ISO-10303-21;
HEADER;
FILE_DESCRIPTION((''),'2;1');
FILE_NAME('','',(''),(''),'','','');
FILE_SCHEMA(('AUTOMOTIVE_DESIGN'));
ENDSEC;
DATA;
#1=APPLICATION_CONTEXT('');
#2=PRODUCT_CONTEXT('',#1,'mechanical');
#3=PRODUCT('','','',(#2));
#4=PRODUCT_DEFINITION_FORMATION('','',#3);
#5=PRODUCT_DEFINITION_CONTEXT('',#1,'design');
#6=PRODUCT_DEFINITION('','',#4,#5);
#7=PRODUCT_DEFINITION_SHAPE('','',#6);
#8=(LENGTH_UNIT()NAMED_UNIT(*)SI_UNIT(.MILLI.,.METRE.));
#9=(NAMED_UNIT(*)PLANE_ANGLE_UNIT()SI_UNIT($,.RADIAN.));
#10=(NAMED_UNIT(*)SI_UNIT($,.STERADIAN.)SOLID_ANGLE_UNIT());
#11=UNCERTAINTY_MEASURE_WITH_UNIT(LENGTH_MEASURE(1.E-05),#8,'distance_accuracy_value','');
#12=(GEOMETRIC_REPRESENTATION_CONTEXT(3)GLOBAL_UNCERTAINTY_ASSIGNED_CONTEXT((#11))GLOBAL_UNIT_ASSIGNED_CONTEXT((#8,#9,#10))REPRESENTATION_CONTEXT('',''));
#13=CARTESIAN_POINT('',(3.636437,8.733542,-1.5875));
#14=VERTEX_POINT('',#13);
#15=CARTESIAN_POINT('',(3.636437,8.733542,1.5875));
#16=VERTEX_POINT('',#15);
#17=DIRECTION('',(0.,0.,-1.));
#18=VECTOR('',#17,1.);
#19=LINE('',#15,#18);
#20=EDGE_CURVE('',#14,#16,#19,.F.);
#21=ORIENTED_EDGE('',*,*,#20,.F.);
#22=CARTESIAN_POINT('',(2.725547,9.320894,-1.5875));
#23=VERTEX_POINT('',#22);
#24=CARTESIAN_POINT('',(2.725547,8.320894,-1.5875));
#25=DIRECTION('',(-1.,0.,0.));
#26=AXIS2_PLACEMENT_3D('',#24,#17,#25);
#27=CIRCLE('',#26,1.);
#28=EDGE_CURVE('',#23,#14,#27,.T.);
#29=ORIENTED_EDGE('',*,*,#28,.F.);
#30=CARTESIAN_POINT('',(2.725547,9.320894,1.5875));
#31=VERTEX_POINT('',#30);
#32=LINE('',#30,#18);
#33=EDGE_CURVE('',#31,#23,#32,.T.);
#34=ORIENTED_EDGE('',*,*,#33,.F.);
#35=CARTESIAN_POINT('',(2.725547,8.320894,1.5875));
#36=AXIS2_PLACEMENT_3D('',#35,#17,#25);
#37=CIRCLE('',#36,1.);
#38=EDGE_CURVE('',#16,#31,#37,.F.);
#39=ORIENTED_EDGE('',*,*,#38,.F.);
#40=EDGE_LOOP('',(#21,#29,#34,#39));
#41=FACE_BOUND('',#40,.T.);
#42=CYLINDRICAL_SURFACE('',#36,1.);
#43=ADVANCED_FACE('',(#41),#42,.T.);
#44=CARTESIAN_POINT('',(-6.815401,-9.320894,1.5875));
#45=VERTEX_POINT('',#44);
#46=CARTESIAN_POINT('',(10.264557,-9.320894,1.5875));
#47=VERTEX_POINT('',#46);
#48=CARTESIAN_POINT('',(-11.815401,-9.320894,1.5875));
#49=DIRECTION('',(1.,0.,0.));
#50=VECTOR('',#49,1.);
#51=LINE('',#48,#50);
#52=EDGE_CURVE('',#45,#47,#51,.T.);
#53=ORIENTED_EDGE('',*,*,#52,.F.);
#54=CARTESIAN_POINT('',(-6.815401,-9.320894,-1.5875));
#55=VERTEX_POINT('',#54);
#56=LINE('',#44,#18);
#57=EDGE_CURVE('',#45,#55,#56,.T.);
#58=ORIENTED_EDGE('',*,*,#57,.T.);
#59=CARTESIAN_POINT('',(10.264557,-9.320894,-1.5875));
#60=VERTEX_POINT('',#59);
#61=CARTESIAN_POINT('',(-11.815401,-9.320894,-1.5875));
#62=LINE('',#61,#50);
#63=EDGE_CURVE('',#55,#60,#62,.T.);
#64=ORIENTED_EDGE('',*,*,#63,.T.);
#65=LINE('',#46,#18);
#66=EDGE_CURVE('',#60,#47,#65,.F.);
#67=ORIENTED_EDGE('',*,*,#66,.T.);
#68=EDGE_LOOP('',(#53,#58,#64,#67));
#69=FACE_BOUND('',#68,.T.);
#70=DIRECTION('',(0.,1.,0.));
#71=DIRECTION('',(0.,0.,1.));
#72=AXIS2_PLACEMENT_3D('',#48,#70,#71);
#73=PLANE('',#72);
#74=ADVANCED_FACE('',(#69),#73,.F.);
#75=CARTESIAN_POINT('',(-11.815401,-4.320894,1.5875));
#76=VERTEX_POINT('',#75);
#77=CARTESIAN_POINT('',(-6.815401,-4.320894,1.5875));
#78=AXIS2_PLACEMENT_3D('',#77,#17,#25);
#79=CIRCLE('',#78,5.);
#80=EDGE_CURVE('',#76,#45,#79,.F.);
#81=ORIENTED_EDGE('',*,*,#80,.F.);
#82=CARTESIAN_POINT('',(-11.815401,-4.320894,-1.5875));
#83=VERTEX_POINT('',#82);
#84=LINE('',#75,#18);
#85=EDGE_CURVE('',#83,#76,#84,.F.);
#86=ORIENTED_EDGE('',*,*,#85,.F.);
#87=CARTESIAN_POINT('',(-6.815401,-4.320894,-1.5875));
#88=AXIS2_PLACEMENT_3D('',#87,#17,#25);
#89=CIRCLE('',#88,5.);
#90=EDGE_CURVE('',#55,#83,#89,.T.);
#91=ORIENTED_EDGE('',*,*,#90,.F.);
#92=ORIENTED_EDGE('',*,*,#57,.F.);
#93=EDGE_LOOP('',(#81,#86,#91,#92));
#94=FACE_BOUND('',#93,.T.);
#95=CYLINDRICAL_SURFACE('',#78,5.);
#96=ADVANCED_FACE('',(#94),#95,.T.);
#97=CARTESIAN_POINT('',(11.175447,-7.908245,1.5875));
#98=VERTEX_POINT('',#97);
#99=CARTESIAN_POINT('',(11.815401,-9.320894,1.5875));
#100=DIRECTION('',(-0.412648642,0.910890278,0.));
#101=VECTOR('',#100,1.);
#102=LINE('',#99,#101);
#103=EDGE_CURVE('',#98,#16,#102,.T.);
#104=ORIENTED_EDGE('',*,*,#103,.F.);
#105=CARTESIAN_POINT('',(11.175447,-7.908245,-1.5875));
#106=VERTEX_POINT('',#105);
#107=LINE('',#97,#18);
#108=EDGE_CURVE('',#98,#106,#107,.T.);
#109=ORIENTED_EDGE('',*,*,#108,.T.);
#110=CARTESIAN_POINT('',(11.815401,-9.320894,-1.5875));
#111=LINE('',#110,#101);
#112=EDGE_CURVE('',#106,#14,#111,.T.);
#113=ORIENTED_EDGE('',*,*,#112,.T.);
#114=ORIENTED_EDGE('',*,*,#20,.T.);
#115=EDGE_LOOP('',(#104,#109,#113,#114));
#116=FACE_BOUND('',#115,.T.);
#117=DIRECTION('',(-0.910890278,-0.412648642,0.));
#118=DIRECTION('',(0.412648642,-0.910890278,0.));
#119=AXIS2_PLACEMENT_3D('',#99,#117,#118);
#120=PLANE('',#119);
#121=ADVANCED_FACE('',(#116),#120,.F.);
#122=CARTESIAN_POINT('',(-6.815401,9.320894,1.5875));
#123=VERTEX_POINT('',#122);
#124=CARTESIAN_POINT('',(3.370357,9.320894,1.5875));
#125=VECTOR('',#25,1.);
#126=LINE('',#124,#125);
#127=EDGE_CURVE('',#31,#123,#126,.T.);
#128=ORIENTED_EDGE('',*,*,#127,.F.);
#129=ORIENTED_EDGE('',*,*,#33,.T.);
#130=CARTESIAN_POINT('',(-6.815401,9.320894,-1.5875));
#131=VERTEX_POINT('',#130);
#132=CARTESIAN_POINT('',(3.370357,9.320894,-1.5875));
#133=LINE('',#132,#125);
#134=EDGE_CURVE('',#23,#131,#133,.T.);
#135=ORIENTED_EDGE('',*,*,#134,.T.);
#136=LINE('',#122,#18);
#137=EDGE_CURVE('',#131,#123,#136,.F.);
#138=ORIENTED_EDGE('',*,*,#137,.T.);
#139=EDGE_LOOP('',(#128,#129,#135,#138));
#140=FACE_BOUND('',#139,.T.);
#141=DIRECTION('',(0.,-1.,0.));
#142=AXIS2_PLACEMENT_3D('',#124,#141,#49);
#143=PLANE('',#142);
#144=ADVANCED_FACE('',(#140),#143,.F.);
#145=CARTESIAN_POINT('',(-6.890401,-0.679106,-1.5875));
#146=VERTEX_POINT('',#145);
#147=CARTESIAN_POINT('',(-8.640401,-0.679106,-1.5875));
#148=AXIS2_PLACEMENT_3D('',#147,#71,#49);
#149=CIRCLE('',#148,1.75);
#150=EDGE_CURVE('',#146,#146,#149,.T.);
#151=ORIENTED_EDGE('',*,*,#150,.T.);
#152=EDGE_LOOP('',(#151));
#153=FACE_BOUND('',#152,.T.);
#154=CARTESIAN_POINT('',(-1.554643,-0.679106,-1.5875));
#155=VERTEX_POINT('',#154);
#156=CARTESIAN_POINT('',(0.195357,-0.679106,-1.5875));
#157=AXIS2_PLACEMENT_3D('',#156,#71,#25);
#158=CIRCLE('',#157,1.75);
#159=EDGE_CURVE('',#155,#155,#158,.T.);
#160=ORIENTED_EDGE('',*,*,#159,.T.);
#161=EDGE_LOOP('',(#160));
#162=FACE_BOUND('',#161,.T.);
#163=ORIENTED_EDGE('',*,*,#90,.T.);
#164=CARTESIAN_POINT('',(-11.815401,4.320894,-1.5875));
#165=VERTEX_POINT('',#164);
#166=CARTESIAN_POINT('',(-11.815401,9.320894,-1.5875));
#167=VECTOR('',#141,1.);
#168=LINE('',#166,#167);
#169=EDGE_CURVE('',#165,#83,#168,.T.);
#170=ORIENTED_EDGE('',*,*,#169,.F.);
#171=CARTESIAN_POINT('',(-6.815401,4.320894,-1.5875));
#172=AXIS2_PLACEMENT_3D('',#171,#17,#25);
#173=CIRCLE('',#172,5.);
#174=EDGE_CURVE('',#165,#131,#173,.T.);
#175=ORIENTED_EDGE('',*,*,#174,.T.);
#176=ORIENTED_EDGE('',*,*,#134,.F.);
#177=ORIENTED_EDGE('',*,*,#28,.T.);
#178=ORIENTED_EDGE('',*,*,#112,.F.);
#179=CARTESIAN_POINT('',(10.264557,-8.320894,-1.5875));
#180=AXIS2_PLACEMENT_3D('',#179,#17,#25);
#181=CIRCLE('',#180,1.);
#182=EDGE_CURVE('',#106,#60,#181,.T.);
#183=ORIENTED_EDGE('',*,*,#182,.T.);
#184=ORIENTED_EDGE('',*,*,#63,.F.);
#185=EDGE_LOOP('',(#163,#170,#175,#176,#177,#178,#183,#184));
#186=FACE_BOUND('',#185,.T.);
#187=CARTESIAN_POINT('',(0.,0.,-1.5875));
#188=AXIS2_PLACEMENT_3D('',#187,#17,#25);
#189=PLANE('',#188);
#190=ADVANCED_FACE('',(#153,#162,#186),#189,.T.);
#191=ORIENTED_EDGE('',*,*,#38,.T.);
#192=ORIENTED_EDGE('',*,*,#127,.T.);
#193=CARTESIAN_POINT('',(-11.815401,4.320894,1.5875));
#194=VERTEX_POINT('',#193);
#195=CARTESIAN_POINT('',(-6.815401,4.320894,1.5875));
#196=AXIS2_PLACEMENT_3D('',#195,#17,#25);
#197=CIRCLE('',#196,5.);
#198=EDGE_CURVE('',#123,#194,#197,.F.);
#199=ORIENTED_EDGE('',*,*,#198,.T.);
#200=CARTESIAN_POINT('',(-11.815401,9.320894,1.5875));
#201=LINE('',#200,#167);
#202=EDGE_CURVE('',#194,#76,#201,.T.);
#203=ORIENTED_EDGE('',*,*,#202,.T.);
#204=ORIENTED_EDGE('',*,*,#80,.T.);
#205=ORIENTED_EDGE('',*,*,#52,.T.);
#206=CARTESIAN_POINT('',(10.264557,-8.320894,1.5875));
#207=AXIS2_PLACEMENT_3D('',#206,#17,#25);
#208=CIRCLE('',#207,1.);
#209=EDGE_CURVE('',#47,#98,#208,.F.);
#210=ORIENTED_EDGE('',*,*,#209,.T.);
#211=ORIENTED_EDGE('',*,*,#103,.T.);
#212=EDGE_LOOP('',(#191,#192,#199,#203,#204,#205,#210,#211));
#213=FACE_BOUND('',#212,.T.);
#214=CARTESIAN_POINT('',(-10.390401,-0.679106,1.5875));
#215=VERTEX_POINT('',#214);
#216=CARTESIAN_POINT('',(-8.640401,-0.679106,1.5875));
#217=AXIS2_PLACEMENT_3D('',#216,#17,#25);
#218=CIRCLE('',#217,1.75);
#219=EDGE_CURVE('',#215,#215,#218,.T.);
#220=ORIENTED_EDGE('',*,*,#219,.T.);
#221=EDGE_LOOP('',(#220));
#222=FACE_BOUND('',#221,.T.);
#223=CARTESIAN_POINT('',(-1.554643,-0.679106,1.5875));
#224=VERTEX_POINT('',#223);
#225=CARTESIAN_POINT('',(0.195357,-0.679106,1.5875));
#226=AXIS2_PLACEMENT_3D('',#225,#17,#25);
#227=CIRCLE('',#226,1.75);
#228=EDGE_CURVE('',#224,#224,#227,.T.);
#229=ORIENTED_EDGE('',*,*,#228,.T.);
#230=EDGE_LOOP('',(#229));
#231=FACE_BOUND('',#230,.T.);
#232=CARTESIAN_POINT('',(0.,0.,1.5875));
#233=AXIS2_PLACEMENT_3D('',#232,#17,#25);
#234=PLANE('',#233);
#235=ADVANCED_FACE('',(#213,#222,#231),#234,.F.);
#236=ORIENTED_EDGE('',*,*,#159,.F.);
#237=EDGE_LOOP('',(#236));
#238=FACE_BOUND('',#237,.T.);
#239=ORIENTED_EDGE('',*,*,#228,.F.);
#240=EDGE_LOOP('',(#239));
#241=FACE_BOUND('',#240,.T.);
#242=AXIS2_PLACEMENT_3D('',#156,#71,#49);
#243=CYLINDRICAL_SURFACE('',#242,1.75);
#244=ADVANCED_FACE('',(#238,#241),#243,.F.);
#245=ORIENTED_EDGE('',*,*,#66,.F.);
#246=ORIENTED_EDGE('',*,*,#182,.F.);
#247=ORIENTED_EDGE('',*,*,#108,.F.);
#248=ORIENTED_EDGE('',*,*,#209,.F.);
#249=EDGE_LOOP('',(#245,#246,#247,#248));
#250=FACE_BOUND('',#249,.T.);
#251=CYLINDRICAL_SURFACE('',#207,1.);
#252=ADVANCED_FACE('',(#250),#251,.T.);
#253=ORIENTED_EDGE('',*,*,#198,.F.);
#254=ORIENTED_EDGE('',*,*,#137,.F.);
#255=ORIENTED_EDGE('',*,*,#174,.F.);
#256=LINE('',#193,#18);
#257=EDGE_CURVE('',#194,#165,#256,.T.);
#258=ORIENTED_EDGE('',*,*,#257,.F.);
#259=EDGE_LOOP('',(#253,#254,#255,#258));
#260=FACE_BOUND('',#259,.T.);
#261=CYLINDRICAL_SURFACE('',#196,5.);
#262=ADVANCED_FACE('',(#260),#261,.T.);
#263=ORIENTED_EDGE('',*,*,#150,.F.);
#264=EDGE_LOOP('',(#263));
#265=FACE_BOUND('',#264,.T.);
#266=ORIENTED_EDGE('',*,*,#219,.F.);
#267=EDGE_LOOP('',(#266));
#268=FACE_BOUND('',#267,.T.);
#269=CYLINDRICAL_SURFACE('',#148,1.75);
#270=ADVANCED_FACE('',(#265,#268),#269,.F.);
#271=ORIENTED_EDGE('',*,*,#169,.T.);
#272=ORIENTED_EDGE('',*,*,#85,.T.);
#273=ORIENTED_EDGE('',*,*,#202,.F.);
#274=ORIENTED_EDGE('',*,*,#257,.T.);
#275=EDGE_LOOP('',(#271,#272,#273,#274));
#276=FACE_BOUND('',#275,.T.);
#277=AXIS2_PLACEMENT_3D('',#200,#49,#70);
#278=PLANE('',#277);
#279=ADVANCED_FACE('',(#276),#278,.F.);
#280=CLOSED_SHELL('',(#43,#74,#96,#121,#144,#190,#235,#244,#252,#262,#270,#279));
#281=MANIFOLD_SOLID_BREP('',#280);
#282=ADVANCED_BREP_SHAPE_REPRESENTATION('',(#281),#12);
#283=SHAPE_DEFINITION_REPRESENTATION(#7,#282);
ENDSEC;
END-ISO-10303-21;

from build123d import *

# Parameters (mm, degrees)
BOSS_EXTRUDE1_DEPTH     = 1.5875
CUT_EXTRUDE1_DEPTH      = 16.380616986
CUT_EXTRUDE1_DEPTH_BACK = 16.380616986
SKETCH2_R               = 1.75
FILLET1_R               = 1
FILLET2_R               = 5


with BuildPart() as part:
    # Sketch1 → Boss-Extrude1 (new, symmetric)
    with BuildSketch(Plane.XY):
        Polygon((11.81540086, -9.32089354), (3.370357256, 9.32089354), (-11.81540086, 9.32089354), (-11.81540086, -9.32089354), align=None)
    extrude(amount=BOSS_EXTRUDE1_DEPTH, both=True)

    # Sketch2 → Cut-Extrude1 (cut, two sides: drawn at the far end of the back side and taken through both)
    with BuildSketch(Plane.XY.offset(1.5875).offset(-CUT_EXTRUDE1_DEPTH_BACK)):
        with Locations(Location((0.195357254, -0.67910646, 0), (0, 0, 180))):
            Circle(SKETCH2_R)
        with Locations((-8.640400858, -0.67910646)):
            Circle(SKETCH2_R)
    extrude(amount=CUT_EXTRUDE1_DEPTH + CUT_EXTRUDE1_DEPTH_BACK, mode=Mode.SUBTRACT)

    # Fillet1
    fillet1_edges = [part.edges().sort_by_distance(p)[0] for p in [
        (3.370357256, 9.32089354, 0),
        (11.81540086, -9.32089354, 0),
    ]]
    fillet(fillet1_edges, radius=FILLET1_R)

    # Fillet2
    fillet2_edges = [part.edges().sort_by_distance(p)[0] for p in [
        (-11.81540086, -9.32089354, 0),
        (-11.81540086, 9.32089354, 0),
    ]]
    fillet(fillet2_edges, radius=FILLET2_R)


solid = part.part
